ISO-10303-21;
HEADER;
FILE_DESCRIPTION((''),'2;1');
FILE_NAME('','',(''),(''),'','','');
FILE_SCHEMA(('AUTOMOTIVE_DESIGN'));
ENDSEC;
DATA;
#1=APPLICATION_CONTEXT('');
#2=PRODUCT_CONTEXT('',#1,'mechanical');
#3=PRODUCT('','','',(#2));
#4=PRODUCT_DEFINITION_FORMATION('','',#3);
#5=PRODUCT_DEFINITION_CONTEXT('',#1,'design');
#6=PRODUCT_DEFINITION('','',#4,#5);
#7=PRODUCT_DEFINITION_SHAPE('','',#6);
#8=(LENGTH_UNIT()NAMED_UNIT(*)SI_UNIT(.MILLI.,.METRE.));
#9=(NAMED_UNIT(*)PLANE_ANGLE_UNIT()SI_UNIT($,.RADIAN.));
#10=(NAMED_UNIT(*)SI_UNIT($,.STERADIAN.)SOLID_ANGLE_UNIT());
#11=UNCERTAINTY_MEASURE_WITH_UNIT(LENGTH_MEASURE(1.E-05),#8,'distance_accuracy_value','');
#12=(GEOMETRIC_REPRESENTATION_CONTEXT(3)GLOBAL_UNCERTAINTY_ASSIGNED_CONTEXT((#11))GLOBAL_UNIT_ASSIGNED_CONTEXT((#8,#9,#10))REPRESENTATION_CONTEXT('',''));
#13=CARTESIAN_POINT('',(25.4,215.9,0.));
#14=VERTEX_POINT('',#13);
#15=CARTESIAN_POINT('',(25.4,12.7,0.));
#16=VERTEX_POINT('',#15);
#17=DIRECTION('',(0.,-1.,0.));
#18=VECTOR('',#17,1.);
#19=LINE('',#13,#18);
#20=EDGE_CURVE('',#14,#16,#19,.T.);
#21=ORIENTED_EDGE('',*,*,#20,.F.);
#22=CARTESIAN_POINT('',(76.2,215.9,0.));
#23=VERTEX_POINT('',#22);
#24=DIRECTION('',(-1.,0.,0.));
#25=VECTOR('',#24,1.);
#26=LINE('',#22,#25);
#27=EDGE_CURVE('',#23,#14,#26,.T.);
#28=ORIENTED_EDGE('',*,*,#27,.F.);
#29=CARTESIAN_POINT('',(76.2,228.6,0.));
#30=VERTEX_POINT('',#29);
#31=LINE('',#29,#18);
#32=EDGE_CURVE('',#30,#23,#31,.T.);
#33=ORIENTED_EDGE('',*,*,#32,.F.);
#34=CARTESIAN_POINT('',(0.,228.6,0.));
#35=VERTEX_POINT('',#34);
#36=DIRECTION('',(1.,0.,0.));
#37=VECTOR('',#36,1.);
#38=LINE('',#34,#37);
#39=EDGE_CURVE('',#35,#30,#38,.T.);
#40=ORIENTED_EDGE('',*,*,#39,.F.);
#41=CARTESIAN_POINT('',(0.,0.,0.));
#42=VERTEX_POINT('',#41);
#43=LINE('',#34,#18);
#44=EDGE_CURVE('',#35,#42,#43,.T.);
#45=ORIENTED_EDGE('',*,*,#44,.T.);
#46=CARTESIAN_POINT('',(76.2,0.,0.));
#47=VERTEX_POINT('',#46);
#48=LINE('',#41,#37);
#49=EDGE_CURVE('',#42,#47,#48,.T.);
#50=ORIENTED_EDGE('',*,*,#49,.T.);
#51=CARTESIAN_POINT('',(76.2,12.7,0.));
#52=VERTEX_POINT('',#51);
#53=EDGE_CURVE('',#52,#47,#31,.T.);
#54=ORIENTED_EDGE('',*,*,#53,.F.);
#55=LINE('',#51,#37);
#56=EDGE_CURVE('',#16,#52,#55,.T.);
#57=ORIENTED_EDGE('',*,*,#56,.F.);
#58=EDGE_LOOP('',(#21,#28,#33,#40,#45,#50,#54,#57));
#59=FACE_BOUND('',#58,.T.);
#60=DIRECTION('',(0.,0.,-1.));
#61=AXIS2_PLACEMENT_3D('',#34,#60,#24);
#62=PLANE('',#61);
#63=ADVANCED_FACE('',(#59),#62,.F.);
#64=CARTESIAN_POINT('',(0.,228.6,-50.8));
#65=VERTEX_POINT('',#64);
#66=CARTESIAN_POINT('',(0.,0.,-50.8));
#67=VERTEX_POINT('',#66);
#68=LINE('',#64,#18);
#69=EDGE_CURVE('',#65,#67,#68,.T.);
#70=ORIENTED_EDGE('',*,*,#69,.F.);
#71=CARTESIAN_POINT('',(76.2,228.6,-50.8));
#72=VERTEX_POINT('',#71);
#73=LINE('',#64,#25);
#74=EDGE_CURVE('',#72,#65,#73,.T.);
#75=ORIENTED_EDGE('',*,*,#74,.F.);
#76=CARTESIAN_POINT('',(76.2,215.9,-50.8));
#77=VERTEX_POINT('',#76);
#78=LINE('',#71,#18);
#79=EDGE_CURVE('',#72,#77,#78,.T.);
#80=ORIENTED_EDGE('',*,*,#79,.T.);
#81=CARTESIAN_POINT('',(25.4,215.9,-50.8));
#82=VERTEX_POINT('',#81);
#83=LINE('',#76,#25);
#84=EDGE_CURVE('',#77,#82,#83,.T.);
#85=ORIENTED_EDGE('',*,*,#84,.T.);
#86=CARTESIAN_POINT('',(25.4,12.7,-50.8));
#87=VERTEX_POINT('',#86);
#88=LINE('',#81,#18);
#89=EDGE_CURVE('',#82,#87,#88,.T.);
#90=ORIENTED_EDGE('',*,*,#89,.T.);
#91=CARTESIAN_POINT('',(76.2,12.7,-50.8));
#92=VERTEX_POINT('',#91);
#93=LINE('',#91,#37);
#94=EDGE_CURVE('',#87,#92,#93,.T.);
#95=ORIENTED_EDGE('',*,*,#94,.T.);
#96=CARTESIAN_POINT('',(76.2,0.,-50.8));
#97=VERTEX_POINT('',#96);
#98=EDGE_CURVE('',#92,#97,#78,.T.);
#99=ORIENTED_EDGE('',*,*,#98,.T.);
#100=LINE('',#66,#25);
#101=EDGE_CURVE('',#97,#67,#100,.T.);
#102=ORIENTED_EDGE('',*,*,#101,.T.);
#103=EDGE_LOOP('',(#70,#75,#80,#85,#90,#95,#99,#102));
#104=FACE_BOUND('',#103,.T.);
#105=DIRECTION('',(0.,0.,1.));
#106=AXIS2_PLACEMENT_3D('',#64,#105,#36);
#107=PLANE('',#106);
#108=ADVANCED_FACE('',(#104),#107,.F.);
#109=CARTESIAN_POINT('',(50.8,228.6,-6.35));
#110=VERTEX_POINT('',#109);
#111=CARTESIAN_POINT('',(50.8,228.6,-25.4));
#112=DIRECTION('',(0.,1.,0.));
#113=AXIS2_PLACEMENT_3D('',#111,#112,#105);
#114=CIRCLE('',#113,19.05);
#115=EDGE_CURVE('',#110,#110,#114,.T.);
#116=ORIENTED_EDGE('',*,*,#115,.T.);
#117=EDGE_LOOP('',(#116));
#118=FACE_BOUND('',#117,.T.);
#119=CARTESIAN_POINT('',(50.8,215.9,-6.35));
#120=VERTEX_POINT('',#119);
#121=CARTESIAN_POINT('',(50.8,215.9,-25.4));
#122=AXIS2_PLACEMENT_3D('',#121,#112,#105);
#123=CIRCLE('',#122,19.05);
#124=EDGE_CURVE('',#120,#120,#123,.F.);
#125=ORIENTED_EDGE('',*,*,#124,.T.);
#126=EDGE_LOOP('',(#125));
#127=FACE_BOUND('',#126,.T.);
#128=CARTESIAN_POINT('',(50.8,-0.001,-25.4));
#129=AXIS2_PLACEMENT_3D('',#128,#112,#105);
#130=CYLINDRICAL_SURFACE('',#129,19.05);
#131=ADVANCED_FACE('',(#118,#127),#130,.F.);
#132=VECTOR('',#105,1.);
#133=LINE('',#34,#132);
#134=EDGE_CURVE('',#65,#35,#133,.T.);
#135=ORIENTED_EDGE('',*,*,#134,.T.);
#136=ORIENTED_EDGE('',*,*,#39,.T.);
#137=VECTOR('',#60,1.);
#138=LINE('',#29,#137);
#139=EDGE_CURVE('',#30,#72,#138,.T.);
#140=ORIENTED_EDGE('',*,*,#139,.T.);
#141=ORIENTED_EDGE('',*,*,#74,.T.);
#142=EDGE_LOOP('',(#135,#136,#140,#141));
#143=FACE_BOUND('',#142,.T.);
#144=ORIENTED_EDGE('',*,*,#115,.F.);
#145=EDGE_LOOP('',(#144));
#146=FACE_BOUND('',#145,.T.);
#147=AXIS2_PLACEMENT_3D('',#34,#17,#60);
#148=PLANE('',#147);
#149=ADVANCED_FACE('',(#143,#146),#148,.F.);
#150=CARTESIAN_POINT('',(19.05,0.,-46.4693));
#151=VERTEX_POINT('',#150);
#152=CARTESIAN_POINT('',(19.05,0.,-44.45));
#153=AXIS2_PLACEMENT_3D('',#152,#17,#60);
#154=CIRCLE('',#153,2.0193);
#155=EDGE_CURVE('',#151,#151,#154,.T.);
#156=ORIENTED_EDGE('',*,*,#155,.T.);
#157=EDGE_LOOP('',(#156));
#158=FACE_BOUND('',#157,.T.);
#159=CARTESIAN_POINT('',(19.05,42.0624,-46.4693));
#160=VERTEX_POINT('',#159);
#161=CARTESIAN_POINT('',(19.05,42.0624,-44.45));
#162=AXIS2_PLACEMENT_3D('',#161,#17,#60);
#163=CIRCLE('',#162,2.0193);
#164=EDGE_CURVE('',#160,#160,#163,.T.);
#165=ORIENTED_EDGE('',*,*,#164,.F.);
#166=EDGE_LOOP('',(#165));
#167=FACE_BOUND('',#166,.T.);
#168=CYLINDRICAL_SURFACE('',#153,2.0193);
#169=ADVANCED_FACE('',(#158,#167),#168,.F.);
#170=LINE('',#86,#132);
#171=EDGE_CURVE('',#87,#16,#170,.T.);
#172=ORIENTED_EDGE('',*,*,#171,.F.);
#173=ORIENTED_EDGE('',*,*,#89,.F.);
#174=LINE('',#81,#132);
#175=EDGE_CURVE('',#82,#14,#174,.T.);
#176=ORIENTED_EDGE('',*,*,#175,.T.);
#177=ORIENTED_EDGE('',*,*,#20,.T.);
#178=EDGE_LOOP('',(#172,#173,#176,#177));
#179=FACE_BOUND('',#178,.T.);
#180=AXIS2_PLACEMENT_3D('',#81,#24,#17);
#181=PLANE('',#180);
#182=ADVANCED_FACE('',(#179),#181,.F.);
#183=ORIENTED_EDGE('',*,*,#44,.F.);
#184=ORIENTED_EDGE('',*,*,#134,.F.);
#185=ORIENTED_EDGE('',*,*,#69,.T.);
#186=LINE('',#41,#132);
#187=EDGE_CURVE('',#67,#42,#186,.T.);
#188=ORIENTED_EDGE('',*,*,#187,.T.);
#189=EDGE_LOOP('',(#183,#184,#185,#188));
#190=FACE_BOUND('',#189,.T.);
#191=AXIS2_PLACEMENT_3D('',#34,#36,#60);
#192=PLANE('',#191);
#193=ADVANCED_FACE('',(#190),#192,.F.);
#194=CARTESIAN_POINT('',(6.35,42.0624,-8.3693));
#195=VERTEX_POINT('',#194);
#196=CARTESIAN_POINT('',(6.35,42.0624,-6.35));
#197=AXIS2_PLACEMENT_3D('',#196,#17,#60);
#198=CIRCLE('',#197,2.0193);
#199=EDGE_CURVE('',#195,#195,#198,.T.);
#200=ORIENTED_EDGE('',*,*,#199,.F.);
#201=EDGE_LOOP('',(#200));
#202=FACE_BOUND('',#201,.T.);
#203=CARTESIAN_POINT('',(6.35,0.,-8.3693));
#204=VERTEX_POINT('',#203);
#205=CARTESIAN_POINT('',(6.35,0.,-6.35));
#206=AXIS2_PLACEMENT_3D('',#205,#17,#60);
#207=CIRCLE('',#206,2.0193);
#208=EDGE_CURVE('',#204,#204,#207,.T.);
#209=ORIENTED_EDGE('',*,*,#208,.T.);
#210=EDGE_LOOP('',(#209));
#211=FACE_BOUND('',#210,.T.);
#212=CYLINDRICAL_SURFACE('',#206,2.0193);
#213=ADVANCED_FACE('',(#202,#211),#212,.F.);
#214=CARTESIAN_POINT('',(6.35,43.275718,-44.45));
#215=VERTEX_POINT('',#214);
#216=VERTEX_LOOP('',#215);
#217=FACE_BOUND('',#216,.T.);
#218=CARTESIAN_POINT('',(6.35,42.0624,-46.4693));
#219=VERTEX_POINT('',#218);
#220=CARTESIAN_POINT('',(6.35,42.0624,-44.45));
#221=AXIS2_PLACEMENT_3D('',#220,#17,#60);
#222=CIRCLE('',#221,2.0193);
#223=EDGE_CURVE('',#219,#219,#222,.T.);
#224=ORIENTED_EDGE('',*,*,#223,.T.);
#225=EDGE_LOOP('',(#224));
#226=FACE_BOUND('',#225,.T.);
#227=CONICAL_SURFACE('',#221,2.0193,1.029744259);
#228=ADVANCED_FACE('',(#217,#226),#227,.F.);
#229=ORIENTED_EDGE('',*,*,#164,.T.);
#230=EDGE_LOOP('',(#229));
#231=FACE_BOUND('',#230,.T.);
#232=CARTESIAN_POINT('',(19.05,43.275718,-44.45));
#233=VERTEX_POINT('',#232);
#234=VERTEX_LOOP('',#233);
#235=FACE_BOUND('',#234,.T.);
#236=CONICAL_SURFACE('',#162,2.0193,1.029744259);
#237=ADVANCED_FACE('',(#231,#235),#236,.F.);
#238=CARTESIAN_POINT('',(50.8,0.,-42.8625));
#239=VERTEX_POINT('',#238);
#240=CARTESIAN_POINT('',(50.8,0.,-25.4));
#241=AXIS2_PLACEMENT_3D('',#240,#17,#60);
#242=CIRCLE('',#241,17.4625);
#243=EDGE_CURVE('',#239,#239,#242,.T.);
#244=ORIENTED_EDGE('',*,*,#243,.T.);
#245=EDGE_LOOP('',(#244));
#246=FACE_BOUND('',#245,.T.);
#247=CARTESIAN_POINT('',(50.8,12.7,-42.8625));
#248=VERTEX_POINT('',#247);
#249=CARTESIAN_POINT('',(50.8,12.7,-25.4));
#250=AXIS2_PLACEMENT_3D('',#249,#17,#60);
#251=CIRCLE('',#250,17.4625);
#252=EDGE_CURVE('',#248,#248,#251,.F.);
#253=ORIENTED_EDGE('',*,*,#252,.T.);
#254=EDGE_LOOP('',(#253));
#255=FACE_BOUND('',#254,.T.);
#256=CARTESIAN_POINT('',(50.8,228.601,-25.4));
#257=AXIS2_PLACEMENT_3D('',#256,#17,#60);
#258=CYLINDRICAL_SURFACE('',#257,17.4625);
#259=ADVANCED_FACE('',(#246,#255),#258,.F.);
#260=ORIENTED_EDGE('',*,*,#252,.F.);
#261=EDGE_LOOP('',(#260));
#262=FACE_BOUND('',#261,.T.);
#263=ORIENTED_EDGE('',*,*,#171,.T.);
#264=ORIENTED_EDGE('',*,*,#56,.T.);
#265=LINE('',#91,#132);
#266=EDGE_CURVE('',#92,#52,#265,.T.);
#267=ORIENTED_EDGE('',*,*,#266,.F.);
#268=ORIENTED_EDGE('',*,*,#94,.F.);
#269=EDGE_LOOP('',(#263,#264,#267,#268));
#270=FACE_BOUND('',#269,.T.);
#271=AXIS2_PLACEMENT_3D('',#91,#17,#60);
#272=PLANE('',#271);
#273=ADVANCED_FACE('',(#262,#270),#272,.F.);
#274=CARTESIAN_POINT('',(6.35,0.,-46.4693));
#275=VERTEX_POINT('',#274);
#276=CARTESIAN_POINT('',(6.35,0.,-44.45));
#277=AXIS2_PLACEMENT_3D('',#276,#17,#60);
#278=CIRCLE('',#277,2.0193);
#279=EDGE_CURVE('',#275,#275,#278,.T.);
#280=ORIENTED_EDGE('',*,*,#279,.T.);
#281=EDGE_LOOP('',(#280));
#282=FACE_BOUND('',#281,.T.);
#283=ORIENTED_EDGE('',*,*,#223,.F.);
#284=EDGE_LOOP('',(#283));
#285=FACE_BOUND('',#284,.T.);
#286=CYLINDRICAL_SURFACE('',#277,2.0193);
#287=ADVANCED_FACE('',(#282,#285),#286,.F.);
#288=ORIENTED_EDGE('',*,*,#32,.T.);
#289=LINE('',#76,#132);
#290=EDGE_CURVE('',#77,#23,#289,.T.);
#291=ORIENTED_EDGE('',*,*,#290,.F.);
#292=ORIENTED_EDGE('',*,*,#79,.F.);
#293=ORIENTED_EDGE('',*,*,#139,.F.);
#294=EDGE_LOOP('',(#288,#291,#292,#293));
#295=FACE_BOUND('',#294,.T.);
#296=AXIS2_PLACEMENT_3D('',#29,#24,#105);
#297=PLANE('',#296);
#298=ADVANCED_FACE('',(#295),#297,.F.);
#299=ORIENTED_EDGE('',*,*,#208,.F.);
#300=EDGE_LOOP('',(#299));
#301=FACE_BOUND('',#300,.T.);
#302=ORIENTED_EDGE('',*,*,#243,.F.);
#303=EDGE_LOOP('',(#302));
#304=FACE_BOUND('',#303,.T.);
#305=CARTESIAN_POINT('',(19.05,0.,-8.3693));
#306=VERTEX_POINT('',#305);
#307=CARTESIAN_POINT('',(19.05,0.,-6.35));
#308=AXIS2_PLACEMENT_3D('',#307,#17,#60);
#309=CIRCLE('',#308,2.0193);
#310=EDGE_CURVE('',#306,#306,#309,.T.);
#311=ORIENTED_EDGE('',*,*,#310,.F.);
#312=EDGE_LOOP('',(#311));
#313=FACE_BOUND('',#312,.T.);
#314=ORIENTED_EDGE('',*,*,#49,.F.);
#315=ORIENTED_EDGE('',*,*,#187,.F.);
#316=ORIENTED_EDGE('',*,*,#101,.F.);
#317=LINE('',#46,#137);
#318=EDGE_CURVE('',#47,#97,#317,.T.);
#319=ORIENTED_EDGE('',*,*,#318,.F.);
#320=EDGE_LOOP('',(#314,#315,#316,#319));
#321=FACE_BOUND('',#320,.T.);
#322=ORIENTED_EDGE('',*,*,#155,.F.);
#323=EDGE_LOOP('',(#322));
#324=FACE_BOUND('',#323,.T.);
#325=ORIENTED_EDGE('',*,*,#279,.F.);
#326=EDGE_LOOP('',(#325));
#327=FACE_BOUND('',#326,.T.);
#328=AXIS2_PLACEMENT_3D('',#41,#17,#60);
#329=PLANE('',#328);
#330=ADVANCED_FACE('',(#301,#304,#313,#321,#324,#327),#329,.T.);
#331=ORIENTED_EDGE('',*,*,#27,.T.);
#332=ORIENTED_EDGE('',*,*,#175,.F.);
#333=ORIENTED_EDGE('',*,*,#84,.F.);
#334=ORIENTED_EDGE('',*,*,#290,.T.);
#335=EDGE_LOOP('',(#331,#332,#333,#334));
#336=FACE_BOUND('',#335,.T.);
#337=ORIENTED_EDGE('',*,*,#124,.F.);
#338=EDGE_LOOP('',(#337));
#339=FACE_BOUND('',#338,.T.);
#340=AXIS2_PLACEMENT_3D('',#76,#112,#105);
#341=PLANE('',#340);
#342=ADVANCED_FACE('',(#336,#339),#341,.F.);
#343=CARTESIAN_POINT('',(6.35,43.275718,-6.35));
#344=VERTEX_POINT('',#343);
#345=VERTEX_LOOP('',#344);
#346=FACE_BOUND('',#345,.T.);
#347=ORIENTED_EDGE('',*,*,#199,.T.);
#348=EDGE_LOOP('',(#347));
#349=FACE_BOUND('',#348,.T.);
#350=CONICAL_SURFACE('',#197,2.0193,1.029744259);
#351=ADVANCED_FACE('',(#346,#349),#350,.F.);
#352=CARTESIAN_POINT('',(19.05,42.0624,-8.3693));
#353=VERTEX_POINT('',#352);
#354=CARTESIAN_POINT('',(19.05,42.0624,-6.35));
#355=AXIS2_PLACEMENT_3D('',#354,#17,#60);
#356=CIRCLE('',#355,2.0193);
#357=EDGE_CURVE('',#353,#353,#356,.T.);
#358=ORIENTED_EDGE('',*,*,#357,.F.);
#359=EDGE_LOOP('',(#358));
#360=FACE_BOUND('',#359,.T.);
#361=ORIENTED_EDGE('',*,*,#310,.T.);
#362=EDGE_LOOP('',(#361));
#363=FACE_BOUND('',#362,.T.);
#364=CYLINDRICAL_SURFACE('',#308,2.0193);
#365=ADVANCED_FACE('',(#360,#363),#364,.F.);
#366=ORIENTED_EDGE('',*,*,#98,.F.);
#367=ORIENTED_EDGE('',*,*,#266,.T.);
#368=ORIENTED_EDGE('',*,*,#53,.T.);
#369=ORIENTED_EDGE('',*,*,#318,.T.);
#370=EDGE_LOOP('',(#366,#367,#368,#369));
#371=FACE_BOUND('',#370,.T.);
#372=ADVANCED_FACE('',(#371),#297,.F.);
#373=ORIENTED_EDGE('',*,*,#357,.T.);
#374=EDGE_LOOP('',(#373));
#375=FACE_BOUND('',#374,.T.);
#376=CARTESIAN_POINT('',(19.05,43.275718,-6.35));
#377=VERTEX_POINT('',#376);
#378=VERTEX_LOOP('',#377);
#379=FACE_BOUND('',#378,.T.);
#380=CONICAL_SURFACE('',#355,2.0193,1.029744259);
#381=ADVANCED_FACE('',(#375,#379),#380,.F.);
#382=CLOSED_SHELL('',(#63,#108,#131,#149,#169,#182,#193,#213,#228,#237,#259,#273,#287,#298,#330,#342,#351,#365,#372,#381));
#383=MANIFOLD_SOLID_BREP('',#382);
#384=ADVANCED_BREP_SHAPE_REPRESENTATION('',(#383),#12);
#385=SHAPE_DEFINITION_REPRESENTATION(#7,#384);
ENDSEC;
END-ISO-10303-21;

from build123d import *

# Parameters (mm, degrees)
SKETCH1_W                  = 76.2
SKETCH1_H                  = 50.8
BOSS_EXTRUDE1_DEPTH        = 228.6
SKETCH2_W                  = 50.8
SKETCH2_H                  = 203.2
CUT_EXTRUDE1_DEPTH         = 247.262136757
CUT_EXTRUDE2_REACH         = 248.262
SKETCH5_R                  = 19.05
CUT_EXTRUDE3_REACH         = 248.262
SKETCH8_R                  = 17.4625
F_10_32_TAPPED_HOLE1_D     = 4.0386
F_10_32_TAPPED_HOLE1_DEPTH = 42.0624
F_10_32_TAPPED_HOLE1_TIP   = 1.213317848


with BuildPart() as part:
    # Sketch1 → Boss-Extrude1 (new body)
    with BuildSketch(Plane(origin=(0, 0, 0), x_dir=(1, 0, 0), z_dir=(0, 1, 0))):
        with Locations((38.1, 25.4)):
            Rectangle(SKETCH1_W, SKETCH1_H)
    extrude(amount=BOSS_EXTRUDE1_DEPTH)

    # Sketch2 → Cut-Extrude1 (cut, through all)
    with BuildSketch(Plane.XY):
        with Locations((50.8, 114.3)):
            Rectangle(SKETCH2_W, SKETCH2_H)
    extrude(amount=-CUT_EXTRUDE1_DEPTH, mode=Mode.SUBTRACT)

    # Sketch5 → Cut-Extrude2 (cut, up to next)
    with BuildSketch(Plane(origin=(0, 228.6, 0), x_dir=(1, 0, 0), z_dir=(0, 1, 0)), mode=Mode.PRIVATE) as cut_extrude2_sk1:
        with Locations(Location((50.8, 25.4, 0), (0, 0, 270))):
            Circle(SKETCH5_R)
    cut_extrude2_tool1 = extrude(cut_extrude2_sk1.sketch, amount=-CUT_EXTRUDE2_REACH, mode=Mode.PRIVATE) & part.part
    add(cut_extrude2_tool1.solids().sort_by_distance((50.8, 228.6, -25.4))[0], mode=Mode.SUBTRACT)

    # Sketch8 → Cut-Extrude3 (cut, up to next)
    with BuildSketch(Plane.XZ, mode=Mode.PRIVATE) as cut_extrude3_sk1:
        with Locations(Location((50.8, -25.4, 0), (0, 0, 270))):
            Circle(SKETCH8_R)
    cut_extrude3_tool1 = extrude(cut_extrude3_sk1.sketch, amount=-CUT_EXTRUDE3_REACH, mode=Mode.PRIVATE) & part.part
    add(cut_extrude3_tool1.solids().sort_by_distance((50.8, 0, -25.4))[0], mode=Mode.SUBTRACT)

    # #10-32 Tapped Hole1
    with Locations(Plane(origin=(0, 0, 0), x_dir=(-1, 0, 0), z_dir=(0, -1, 0))):
        with Locations((-6.35, 44.45), (-19.05, 44.45), (-6.35, 6.35), (-19.05, 6.35)):
            Hole(F_10_32_TAPPED_HOLE1_D / 2, depth=F_10_32_TAPPED_HOLE1_DEPTH)
            with Locations((0, 0, -(F_10_32_TAPPED_HOLE1_DEPTH + F_10_32_TAPPED_HOLE1_TIP / 2))):  # 118° drill point
                Cone(0, F_10_32_TAPPED_HOLE1_D / 2, F_10_32_TAPPED_HOLE1_TIP, mode=Mode.SUBTRACT)


solid = part.part
